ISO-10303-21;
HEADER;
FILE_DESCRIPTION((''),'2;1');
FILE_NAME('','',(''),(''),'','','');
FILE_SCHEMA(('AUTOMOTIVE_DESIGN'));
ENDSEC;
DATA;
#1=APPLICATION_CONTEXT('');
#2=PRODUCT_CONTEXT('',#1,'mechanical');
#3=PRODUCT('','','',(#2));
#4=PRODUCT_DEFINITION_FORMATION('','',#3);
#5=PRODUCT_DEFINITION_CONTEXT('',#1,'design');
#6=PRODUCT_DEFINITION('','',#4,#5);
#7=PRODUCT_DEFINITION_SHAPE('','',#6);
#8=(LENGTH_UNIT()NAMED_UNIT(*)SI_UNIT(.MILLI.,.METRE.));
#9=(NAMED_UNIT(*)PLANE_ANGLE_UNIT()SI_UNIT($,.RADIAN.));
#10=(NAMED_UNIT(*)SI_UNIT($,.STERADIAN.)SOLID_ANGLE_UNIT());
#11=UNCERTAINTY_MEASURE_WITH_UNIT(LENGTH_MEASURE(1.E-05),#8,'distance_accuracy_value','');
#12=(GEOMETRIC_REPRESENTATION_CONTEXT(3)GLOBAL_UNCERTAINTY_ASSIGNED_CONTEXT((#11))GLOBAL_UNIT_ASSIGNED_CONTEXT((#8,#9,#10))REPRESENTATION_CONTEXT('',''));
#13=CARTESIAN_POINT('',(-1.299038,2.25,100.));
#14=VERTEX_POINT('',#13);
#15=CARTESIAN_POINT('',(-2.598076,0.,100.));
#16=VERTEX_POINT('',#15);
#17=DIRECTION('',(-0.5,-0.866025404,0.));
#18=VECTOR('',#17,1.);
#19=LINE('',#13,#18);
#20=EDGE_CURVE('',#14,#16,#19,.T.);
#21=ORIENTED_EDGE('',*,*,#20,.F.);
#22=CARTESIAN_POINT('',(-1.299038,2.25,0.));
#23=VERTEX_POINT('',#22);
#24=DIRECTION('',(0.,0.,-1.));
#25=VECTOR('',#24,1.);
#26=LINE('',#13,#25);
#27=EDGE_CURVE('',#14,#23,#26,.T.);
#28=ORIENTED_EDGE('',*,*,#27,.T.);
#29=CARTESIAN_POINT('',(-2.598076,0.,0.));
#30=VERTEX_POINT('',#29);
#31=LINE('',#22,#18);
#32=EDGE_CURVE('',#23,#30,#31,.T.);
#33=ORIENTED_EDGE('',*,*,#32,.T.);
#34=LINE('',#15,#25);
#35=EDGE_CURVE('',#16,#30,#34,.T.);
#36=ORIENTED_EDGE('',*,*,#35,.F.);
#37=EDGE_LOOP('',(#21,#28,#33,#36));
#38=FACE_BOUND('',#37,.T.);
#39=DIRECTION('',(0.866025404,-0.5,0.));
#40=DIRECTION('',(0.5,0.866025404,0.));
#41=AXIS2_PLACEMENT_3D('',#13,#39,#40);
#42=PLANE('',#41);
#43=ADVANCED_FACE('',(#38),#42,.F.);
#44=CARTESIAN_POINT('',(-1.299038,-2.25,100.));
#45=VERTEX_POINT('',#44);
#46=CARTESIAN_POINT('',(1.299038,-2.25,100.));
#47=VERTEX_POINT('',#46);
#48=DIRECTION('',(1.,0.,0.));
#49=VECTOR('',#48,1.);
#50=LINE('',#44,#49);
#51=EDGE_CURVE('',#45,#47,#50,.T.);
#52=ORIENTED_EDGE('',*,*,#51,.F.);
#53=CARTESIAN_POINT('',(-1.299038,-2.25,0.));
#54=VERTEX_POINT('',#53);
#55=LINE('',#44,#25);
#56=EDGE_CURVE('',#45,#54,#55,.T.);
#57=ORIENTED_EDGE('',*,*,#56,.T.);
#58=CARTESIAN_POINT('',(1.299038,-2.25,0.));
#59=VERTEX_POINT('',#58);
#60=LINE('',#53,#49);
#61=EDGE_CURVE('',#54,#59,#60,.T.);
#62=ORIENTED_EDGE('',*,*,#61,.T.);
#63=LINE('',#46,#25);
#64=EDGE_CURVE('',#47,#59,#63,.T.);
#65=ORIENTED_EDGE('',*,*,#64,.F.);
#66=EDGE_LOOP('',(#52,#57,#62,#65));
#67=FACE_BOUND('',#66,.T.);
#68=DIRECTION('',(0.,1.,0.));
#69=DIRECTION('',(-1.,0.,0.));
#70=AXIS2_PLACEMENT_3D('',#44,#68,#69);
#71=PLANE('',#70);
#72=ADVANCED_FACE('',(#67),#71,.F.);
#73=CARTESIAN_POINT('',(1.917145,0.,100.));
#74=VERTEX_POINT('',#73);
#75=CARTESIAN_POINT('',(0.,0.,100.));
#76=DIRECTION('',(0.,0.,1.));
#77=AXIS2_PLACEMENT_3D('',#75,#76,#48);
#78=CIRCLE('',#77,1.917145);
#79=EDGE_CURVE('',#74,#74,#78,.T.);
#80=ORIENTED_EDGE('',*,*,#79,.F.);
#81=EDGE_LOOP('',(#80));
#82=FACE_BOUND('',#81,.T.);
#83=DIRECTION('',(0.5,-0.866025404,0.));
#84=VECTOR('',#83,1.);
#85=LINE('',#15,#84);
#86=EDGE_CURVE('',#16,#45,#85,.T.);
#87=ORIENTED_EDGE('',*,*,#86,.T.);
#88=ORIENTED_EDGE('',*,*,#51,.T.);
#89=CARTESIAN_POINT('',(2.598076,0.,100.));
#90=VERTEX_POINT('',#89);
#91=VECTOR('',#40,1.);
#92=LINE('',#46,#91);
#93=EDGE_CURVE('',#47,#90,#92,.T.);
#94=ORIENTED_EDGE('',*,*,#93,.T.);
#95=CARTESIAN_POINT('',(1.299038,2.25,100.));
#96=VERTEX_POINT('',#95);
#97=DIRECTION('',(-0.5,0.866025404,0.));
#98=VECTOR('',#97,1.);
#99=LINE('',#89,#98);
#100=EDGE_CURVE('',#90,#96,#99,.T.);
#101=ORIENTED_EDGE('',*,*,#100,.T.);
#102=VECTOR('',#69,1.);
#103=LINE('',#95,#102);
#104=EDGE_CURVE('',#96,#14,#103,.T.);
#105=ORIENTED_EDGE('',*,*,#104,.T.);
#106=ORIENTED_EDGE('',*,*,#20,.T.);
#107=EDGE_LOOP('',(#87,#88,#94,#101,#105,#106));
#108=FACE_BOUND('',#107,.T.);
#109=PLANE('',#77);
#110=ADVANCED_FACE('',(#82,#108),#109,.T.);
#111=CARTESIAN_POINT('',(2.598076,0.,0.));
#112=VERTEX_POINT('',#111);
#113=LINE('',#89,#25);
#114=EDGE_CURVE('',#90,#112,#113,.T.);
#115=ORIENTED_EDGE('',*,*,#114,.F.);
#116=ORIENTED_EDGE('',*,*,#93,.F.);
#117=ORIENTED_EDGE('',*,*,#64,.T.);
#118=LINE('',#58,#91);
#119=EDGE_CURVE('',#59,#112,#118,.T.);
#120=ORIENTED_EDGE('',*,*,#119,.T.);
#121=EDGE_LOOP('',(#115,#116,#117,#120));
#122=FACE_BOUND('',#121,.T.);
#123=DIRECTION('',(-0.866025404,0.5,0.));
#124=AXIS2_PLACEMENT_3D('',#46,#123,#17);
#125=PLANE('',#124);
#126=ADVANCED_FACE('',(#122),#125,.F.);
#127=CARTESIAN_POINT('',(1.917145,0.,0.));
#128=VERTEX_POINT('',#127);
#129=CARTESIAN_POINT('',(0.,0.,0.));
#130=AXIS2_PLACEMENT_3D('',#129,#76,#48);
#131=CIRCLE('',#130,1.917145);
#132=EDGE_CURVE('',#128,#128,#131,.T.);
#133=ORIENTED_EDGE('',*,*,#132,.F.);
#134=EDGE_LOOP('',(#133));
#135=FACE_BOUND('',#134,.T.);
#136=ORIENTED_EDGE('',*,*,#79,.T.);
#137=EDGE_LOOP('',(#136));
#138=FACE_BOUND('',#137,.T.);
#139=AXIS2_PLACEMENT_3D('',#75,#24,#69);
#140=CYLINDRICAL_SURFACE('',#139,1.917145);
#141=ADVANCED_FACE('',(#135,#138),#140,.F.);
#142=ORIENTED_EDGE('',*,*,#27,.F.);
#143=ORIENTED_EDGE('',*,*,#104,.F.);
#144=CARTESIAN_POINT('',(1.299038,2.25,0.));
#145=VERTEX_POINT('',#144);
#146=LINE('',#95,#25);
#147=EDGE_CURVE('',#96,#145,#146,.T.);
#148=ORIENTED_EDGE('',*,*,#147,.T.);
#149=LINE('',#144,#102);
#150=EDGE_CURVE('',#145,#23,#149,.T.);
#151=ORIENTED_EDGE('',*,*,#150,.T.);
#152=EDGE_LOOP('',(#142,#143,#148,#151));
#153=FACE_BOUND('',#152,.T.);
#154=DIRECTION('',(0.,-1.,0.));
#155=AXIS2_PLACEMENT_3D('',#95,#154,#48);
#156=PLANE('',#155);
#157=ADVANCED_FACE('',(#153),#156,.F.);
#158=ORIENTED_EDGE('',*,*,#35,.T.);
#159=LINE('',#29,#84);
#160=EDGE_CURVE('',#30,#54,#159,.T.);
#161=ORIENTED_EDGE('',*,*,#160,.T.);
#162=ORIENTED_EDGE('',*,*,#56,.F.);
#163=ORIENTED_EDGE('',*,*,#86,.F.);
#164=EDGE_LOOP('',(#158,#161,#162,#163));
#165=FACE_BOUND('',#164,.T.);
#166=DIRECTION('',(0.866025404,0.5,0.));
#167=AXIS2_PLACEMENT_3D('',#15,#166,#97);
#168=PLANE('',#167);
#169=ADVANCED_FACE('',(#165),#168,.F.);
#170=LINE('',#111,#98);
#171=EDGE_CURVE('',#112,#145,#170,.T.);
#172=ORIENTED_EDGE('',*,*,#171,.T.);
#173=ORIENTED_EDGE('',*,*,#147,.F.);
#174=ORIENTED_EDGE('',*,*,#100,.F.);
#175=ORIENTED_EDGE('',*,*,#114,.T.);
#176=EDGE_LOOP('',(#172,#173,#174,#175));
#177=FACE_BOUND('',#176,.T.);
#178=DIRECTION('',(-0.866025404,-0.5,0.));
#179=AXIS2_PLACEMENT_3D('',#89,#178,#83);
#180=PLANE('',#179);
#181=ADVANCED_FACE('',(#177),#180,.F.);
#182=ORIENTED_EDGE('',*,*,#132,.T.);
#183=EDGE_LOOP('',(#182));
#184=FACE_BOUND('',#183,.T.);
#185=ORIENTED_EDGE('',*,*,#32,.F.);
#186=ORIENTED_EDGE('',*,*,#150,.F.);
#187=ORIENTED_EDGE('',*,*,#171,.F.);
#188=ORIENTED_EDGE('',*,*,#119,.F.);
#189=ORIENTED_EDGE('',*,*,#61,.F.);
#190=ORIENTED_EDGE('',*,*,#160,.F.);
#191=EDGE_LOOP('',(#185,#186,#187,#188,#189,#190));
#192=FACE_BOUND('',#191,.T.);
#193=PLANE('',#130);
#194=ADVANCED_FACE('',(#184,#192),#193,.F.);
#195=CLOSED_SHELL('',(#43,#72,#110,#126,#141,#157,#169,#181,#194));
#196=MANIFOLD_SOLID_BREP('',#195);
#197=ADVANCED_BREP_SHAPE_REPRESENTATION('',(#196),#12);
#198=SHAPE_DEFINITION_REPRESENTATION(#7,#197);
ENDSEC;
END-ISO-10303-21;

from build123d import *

# Parameters (mm, degrees)
SKETCH_1_R      = 1.917144679
EXTRUDE_1_DEPTH = 100


with BuildPart() as part:
    # 草图1 → 凸台-拉伸1 (new body)
    with BuildSketch(Plane.XY):
        Polygon((2.598076211, 0), (1.299038106, 2.25), (-1.299038106, 2.25), (-2.598076211, 0), (-1.299038106, -2.25), (1.299038106, -2.25), align=None)
        Circle(SKETCH_1_R, mode=Mode.SUBTRACT)
    extrude(amount=EXTRUDE_1_DEPTH)


solid = part.part
